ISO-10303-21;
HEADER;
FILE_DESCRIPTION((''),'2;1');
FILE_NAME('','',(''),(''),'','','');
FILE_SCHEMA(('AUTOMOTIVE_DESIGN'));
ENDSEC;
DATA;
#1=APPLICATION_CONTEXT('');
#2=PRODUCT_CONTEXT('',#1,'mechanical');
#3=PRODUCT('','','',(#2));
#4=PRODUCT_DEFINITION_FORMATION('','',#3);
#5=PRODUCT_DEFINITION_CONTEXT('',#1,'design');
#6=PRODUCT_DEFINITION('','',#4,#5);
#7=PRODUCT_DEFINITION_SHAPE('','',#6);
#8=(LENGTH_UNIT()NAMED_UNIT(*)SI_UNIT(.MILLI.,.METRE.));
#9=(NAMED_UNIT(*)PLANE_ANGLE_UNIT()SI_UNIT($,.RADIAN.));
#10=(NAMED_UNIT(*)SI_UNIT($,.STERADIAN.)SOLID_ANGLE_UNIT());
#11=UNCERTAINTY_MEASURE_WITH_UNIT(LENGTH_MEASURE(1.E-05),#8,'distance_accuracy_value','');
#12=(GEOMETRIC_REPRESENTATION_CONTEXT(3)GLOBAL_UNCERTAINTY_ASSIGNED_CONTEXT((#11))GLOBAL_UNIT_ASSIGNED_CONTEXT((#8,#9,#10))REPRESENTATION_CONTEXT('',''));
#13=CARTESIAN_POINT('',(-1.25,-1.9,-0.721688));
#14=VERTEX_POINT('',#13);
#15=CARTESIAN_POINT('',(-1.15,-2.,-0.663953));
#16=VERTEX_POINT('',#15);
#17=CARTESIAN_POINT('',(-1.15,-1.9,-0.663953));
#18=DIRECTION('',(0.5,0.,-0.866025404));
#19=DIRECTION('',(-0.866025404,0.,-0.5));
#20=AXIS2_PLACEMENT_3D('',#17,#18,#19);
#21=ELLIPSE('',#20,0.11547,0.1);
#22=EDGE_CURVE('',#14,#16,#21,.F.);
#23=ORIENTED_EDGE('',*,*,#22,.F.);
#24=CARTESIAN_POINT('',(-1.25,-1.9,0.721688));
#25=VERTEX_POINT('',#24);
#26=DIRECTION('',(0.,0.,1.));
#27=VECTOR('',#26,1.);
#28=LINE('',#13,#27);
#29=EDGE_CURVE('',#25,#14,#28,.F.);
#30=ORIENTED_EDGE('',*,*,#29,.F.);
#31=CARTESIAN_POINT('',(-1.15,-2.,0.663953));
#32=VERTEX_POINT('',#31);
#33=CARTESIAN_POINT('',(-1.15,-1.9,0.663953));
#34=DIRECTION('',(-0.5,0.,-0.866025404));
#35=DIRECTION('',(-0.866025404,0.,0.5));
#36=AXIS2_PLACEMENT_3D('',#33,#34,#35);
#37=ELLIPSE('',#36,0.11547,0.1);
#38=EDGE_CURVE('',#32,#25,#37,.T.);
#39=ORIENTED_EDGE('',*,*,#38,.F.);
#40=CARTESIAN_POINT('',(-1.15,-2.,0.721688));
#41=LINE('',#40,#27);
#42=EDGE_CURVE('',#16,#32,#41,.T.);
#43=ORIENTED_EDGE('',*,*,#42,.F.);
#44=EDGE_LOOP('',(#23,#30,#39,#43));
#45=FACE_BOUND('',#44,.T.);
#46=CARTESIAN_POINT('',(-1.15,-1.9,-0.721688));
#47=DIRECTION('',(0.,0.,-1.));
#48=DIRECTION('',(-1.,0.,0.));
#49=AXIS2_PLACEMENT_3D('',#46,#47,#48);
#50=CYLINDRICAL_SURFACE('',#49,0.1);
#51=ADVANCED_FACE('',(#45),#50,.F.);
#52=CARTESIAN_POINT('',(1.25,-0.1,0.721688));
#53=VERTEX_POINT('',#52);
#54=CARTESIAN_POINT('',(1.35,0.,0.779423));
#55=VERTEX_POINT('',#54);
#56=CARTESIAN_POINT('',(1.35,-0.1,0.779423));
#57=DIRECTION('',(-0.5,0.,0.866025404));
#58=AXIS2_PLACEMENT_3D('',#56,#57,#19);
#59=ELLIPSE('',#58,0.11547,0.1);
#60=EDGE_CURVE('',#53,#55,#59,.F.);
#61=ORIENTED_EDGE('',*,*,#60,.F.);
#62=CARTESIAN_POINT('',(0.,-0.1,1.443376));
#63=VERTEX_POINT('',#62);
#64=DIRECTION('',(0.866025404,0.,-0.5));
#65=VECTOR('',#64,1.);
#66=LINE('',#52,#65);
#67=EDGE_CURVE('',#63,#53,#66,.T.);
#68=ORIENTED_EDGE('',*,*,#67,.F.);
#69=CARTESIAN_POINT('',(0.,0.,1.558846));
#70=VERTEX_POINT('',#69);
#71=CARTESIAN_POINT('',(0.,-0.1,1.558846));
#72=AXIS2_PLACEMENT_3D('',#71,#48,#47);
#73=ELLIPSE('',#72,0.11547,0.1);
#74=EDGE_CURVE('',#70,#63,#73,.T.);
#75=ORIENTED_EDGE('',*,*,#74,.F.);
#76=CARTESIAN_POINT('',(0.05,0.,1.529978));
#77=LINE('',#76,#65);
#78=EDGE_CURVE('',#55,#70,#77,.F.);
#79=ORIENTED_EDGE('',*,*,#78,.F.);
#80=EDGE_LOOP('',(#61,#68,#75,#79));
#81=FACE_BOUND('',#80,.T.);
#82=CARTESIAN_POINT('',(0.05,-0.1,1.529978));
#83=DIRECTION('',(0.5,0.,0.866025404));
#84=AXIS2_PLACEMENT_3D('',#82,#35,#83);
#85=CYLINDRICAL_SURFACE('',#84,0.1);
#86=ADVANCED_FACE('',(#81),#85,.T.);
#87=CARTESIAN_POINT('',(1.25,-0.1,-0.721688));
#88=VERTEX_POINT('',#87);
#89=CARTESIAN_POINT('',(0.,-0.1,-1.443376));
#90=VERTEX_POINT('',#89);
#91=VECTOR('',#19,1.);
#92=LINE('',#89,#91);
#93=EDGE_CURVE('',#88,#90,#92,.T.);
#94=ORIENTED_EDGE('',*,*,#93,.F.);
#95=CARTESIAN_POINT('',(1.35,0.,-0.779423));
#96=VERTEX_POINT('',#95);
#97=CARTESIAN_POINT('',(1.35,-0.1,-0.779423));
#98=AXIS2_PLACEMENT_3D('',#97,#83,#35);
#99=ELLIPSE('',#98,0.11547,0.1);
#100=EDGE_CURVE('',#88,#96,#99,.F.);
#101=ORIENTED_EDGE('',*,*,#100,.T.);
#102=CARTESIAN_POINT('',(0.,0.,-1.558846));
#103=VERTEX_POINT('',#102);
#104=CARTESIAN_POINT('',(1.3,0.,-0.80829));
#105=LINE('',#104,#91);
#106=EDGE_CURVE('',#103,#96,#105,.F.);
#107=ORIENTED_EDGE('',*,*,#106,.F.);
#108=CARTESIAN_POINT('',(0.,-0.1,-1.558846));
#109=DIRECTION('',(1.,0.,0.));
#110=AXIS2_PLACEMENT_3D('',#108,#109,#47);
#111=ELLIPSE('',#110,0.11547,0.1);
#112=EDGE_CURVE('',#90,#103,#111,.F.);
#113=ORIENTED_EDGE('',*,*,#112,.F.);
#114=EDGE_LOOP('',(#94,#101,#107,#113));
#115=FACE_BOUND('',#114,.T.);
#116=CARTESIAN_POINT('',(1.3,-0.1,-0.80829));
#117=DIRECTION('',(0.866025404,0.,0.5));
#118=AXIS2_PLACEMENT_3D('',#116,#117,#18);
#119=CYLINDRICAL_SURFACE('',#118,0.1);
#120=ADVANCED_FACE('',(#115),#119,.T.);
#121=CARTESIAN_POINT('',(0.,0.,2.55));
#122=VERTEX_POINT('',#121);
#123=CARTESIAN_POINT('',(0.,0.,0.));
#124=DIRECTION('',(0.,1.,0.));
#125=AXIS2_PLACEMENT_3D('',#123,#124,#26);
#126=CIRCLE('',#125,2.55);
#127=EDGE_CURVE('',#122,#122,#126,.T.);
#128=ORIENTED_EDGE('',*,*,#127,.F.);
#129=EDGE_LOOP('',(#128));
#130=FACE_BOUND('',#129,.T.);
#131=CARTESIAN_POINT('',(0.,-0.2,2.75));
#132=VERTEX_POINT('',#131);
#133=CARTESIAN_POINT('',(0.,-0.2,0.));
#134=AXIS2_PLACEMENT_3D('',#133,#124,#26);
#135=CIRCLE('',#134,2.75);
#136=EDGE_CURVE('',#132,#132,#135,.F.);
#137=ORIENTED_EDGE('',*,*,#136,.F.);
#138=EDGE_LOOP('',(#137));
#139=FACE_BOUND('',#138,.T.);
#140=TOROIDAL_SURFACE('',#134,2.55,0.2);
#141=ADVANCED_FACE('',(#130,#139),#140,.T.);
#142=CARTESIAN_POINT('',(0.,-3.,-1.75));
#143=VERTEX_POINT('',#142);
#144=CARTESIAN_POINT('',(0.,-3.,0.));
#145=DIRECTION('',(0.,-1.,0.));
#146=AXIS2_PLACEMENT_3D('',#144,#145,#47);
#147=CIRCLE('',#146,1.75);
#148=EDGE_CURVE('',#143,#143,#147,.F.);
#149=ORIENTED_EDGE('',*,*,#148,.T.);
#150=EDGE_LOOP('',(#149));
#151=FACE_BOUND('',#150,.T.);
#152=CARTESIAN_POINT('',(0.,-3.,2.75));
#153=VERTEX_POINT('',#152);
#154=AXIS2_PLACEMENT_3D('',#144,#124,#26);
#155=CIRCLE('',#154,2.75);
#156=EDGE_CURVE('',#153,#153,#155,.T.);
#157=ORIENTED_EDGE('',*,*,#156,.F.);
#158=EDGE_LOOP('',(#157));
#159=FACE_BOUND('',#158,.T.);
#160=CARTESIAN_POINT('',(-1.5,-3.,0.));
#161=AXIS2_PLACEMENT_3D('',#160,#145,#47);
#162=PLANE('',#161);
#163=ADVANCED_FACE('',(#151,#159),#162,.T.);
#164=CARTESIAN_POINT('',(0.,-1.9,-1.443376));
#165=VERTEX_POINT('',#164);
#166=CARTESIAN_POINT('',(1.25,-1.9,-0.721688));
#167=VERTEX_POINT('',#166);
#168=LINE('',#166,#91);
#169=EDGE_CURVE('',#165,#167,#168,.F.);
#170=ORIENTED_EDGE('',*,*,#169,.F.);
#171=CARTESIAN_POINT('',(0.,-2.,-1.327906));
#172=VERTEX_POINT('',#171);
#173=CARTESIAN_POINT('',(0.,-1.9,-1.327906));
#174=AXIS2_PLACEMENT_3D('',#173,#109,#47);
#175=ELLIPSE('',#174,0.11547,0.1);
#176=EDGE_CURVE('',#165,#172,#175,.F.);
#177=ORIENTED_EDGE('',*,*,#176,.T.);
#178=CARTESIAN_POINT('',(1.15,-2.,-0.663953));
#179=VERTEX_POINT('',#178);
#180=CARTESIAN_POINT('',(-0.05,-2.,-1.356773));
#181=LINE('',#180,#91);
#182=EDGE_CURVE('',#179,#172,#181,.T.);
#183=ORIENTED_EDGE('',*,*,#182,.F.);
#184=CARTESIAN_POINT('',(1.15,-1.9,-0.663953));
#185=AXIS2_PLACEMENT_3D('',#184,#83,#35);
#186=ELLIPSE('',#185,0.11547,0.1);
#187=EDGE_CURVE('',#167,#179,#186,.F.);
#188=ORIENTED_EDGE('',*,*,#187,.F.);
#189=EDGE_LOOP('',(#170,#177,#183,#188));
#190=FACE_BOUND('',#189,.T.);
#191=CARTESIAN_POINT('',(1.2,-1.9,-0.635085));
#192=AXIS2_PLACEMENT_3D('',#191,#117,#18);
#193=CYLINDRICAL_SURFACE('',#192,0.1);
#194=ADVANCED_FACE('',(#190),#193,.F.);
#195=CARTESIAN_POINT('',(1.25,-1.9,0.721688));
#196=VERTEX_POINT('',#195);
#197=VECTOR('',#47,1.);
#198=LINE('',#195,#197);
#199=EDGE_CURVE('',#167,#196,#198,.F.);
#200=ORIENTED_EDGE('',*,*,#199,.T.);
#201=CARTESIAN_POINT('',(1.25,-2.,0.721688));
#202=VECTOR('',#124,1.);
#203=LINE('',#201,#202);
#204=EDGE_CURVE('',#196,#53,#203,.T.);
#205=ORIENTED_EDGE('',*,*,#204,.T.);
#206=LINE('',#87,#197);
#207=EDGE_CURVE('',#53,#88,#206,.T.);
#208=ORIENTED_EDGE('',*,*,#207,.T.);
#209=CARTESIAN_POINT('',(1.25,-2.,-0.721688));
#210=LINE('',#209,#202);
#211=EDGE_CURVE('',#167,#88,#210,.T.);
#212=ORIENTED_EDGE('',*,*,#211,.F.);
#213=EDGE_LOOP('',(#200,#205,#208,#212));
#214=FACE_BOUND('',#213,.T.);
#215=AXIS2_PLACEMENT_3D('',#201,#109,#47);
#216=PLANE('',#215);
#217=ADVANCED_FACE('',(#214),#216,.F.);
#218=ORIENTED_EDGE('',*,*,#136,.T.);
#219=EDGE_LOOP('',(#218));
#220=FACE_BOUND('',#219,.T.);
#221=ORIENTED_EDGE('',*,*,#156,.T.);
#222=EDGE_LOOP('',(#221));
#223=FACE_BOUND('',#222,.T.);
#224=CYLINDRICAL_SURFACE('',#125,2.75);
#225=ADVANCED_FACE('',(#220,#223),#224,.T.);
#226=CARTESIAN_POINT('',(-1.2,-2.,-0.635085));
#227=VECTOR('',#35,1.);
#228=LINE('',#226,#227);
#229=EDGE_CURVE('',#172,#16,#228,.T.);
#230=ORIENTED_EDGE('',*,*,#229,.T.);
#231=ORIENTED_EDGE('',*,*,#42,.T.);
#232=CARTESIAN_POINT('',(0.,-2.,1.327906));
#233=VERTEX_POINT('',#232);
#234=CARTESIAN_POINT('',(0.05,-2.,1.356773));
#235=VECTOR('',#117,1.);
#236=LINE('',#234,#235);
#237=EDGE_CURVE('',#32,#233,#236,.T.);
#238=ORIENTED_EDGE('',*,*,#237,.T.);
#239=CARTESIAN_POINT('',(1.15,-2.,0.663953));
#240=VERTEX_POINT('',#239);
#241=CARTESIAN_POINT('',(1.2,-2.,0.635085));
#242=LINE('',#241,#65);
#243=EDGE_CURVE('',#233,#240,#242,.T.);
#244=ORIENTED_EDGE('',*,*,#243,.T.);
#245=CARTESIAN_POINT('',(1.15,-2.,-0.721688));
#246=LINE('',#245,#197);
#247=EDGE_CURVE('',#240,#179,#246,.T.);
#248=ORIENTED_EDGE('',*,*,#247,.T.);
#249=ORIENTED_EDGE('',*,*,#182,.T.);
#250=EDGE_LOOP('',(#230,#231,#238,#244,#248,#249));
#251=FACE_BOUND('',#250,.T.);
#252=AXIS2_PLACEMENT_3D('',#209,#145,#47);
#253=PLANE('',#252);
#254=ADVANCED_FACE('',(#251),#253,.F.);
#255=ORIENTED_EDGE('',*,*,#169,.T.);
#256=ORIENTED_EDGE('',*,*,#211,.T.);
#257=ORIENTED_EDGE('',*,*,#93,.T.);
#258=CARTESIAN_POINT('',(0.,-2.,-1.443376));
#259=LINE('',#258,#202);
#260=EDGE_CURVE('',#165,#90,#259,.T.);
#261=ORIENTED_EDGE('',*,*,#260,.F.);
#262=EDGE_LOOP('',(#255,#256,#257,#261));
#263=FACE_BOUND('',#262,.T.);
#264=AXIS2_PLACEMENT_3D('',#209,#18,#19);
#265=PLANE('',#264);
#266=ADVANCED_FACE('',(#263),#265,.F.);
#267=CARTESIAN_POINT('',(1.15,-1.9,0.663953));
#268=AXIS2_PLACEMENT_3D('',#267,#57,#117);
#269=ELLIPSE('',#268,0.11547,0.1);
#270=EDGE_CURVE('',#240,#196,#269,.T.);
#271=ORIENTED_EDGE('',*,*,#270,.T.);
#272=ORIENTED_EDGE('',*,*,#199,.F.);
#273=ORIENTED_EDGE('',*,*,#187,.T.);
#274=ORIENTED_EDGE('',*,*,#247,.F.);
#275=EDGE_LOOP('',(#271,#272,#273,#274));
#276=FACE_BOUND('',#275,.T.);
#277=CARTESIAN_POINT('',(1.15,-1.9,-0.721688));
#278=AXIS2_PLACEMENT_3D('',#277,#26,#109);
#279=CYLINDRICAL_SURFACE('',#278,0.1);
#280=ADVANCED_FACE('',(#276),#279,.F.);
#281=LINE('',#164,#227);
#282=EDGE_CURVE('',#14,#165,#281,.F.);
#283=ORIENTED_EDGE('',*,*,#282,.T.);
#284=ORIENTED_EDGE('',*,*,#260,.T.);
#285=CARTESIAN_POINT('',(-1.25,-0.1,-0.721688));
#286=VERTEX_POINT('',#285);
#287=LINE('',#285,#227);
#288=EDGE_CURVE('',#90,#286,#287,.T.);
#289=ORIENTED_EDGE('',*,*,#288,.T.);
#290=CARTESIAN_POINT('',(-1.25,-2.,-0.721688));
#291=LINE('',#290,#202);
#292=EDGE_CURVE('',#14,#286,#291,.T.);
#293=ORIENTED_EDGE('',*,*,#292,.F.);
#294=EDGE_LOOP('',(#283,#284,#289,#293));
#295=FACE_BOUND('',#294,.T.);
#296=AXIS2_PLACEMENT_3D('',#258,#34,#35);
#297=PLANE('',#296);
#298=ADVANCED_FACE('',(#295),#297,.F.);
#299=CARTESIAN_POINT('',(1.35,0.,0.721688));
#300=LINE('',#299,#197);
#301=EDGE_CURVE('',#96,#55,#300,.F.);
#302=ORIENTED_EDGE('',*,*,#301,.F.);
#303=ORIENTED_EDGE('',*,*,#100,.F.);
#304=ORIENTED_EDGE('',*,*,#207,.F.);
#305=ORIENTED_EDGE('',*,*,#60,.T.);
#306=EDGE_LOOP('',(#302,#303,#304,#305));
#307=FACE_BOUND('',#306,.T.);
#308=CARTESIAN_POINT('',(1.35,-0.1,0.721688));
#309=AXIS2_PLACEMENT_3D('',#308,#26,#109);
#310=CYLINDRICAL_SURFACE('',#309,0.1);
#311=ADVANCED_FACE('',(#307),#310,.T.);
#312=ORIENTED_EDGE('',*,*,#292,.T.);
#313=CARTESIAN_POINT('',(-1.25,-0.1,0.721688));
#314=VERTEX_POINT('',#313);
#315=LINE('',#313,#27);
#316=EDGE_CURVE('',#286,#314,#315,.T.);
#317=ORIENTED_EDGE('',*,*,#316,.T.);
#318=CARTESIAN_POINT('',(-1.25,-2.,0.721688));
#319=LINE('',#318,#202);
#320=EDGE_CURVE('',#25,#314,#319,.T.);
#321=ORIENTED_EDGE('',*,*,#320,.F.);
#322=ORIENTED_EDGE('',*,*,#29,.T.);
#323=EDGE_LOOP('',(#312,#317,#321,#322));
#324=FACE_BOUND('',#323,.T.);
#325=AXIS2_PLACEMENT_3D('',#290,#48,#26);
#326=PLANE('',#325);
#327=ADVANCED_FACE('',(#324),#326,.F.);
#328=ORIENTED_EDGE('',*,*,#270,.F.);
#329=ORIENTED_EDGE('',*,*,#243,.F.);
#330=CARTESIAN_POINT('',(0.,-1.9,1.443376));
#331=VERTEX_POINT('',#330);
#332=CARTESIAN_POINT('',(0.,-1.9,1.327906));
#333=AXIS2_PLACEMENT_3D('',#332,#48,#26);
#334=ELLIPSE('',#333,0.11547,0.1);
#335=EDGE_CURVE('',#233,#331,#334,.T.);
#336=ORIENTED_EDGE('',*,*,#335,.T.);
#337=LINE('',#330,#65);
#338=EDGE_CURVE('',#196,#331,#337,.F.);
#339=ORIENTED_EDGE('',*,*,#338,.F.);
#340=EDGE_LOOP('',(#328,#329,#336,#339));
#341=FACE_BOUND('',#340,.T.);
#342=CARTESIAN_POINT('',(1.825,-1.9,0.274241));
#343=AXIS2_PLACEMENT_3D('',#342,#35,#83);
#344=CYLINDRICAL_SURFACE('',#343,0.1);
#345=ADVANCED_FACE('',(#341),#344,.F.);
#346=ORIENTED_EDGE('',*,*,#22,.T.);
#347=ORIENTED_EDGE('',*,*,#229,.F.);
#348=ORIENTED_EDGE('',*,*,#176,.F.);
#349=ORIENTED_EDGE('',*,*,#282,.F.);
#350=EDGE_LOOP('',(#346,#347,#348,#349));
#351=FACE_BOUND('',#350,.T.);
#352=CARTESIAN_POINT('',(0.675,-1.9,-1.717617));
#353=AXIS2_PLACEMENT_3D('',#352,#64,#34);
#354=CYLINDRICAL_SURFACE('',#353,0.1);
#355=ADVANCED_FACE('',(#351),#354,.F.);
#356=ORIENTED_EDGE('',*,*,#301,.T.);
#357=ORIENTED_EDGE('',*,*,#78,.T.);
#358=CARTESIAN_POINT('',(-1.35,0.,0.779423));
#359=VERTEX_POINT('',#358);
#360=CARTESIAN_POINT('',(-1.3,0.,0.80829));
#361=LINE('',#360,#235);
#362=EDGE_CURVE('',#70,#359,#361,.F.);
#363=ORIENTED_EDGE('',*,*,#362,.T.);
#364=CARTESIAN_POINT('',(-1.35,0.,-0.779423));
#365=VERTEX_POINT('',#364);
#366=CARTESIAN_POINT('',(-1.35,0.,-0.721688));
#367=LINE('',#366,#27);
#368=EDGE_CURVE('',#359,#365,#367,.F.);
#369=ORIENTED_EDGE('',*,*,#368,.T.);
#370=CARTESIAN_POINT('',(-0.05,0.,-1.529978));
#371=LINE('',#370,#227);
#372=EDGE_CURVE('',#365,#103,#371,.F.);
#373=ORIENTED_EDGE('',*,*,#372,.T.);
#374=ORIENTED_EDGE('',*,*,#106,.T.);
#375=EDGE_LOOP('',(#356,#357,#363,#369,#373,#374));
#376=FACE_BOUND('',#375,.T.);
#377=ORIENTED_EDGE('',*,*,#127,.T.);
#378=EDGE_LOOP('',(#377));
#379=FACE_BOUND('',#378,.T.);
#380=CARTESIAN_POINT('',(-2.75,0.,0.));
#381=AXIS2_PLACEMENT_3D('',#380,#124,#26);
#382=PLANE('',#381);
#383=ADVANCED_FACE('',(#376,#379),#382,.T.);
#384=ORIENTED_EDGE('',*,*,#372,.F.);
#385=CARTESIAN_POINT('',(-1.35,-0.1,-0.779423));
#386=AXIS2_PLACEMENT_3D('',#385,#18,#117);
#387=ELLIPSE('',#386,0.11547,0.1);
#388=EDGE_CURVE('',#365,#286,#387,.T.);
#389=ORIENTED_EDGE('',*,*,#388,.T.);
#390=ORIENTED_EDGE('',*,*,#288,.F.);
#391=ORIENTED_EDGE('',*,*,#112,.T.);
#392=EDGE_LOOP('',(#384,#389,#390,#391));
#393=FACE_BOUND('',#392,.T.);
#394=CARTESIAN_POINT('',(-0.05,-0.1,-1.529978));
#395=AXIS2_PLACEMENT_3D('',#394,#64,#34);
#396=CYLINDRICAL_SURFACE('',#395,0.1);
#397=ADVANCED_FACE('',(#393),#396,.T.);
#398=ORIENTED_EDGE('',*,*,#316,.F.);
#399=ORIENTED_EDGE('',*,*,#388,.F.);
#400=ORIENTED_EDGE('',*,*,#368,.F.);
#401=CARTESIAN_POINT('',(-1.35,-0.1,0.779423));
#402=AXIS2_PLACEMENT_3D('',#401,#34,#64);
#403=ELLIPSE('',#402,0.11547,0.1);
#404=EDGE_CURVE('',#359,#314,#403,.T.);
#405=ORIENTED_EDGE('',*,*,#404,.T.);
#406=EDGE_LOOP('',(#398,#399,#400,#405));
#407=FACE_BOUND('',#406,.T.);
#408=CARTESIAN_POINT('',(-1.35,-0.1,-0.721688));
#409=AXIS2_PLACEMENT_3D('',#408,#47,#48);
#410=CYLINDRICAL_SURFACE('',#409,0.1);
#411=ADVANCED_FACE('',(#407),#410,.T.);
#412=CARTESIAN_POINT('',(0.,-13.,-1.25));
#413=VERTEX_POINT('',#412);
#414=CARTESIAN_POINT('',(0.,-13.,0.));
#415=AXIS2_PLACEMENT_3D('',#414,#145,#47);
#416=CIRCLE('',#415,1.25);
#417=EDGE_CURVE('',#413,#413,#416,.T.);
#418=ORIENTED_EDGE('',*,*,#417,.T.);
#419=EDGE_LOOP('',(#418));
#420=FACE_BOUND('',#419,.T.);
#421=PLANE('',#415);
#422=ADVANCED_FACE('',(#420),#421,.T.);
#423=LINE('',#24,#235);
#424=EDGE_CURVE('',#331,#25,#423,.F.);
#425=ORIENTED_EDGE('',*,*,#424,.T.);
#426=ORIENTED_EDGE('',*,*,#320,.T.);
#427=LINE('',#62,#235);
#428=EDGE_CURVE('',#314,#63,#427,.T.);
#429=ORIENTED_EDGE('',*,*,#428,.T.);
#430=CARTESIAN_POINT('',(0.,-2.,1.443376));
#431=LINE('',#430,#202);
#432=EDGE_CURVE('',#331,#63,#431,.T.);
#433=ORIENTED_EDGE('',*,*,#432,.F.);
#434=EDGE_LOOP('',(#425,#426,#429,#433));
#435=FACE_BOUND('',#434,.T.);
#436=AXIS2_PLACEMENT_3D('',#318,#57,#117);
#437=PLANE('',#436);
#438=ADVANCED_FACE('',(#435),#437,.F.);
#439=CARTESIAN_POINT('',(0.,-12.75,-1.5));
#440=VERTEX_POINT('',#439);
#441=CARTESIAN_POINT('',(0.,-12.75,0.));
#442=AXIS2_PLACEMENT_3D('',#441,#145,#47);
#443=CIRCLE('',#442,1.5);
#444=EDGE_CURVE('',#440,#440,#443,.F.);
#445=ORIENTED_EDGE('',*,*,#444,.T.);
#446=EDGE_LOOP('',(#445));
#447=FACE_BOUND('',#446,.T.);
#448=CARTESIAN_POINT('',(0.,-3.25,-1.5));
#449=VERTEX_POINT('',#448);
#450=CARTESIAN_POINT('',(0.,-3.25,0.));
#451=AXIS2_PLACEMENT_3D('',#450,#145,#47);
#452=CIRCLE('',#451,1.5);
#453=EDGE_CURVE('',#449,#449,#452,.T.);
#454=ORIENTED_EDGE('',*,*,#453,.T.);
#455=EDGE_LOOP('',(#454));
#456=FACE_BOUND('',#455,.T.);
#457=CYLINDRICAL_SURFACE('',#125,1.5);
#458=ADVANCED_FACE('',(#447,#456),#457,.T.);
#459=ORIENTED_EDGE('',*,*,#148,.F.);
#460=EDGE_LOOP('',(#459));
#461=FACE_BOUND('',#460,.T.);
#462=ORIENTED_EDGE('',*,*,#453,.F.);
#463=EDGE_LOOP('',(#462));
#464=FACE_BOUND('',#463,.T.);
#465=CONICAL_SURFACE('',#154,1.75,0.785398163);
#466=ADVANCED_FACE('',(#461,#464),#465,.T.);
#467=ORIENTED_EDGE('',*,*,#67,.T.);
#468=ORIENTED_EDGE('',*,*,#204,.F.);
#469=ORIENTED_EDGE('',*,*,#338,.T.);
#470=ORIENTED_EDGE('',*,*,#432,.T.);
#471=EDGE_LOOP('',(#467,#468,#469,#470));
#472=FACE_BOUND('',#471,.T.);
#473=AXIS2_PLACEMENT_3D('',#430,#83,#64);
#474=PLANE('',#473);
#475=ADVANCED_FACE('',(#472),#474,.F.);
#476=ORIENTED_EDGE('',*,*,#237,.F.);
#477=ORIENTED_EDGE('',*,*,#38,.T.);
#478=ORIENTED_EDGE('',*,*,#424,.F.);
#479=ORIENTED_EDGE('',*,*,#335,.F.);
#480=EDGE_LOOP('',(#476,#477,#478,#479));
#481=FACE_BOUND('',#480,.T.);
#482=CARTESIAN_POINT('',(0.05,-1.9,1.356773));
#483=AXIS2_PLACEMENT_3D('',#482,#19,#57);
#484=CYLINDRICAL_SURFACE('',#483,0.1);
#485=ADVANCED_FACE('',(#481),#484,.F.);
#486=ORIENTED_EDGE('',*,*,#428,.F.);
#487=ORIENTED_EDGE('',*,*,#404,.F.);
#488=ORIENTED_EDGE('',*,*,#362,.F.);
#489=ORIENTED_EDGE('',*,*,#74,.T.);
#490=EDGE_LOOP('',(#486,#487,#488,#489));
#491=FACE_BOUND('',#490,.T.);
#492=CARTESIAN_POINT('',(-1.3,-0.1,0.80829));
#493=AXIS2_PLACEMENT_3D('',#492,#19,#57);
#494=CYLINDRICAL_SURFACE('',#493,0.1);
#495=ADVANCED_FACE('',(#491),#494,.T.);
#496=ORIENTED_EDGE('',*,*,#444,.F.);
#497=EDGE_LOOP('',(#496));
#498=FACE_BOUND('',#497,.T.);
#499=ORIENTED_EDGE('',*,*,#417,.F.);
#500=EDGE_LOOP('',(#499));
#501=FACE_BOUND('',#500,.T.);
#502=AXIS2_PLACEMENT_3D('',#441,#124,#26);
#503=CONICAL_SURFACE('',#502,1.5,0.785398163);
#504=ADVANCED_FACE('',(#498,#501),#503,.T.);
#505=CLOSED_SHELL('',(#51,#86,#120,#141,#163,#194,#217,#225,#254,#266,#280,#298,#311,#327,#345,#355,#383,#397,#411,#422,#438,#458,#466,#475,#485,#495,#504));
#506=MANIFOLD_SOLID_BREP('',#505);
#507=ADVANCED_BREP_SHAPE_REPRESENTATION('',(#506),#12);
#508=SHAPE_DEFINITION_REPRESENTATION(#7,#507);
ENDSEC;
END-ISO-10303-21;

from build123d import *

# Parameters (mm, degrees)
CHAMFER1_SIZE      = 0.25
FILLET1_R          = 0.2
CUT_EXTRUDE1_DEPTH = 2
FILLET2_R          = 0.1


with BuildPart() as part:
    # Sketch1 → Revolve1 (revolve)
    with BuildSketch(Plane.XY):
        Polygon((0, -13), (-1.5, -13), (-1.5, -3), (-2.75, -3), (-2.75, 0), (0, 0), align=None)
    revolve(axis=Axis((0, 0, 0), (0, -1, 0)))

    # Chamfer1
    chamfer1_edges = [part.edges().sort_by_distance(p)[0] for p in [
        (1.5, -3, 0),
        (1.5, -13, 0),
    ]]
    chamfer(chamfer1_edges, length=CHAMFER1_SIZE)

    # Fillet1
    fillet1_edges = [part.edges().sort_by_distance(p)[0] for p in [
        (2.75, 0, 0),
    ]]
    fillet(fillet1_edges, radius=FILLET1_R)

    # Sketch2 → Cut-Extrude1 (cut)
    with BuildSketch(Plane(origin=(0, 0, 0), x_dir=(1, 0, 0), z_dir=(0, 1, 0))):
        Polygon((0, 1.443375673), (-1.25, 0.721687836), (-1.25, -0.721687836), (0, -1.443375673), (1.25, -0.721687836), (1.25, 0.721687836), align=None)
    extrude(amount=-CUT_EXTRUDE1_DEPTH, mode=Mode.SUBTRACT)

    # Fillet2
    fillet2_edges = [part.edges().sort_by_distance(p)[0] for p in [
        (0.625, -2, -1.082531755),
        (1.25, -2, 0),
        (0.625, -2, 1.082531755),
        (-0.625, -2, 1.082531755),
        (-1.25, -2, 0),
        (-0.625, -2, -1.082531755),
        (0.625, 0, -1.082531755),
        (-0.625, 0, -1.082531755),
        (-1.25, 0, 0),
        (-0.625, 0, 1.082531755),
        (0.625, 0, 1.082531755),
        (1.25, 0, 0),
    ]]
    fillet(fillet2_edges, radius=FILLET2_R)


solid = part.part
